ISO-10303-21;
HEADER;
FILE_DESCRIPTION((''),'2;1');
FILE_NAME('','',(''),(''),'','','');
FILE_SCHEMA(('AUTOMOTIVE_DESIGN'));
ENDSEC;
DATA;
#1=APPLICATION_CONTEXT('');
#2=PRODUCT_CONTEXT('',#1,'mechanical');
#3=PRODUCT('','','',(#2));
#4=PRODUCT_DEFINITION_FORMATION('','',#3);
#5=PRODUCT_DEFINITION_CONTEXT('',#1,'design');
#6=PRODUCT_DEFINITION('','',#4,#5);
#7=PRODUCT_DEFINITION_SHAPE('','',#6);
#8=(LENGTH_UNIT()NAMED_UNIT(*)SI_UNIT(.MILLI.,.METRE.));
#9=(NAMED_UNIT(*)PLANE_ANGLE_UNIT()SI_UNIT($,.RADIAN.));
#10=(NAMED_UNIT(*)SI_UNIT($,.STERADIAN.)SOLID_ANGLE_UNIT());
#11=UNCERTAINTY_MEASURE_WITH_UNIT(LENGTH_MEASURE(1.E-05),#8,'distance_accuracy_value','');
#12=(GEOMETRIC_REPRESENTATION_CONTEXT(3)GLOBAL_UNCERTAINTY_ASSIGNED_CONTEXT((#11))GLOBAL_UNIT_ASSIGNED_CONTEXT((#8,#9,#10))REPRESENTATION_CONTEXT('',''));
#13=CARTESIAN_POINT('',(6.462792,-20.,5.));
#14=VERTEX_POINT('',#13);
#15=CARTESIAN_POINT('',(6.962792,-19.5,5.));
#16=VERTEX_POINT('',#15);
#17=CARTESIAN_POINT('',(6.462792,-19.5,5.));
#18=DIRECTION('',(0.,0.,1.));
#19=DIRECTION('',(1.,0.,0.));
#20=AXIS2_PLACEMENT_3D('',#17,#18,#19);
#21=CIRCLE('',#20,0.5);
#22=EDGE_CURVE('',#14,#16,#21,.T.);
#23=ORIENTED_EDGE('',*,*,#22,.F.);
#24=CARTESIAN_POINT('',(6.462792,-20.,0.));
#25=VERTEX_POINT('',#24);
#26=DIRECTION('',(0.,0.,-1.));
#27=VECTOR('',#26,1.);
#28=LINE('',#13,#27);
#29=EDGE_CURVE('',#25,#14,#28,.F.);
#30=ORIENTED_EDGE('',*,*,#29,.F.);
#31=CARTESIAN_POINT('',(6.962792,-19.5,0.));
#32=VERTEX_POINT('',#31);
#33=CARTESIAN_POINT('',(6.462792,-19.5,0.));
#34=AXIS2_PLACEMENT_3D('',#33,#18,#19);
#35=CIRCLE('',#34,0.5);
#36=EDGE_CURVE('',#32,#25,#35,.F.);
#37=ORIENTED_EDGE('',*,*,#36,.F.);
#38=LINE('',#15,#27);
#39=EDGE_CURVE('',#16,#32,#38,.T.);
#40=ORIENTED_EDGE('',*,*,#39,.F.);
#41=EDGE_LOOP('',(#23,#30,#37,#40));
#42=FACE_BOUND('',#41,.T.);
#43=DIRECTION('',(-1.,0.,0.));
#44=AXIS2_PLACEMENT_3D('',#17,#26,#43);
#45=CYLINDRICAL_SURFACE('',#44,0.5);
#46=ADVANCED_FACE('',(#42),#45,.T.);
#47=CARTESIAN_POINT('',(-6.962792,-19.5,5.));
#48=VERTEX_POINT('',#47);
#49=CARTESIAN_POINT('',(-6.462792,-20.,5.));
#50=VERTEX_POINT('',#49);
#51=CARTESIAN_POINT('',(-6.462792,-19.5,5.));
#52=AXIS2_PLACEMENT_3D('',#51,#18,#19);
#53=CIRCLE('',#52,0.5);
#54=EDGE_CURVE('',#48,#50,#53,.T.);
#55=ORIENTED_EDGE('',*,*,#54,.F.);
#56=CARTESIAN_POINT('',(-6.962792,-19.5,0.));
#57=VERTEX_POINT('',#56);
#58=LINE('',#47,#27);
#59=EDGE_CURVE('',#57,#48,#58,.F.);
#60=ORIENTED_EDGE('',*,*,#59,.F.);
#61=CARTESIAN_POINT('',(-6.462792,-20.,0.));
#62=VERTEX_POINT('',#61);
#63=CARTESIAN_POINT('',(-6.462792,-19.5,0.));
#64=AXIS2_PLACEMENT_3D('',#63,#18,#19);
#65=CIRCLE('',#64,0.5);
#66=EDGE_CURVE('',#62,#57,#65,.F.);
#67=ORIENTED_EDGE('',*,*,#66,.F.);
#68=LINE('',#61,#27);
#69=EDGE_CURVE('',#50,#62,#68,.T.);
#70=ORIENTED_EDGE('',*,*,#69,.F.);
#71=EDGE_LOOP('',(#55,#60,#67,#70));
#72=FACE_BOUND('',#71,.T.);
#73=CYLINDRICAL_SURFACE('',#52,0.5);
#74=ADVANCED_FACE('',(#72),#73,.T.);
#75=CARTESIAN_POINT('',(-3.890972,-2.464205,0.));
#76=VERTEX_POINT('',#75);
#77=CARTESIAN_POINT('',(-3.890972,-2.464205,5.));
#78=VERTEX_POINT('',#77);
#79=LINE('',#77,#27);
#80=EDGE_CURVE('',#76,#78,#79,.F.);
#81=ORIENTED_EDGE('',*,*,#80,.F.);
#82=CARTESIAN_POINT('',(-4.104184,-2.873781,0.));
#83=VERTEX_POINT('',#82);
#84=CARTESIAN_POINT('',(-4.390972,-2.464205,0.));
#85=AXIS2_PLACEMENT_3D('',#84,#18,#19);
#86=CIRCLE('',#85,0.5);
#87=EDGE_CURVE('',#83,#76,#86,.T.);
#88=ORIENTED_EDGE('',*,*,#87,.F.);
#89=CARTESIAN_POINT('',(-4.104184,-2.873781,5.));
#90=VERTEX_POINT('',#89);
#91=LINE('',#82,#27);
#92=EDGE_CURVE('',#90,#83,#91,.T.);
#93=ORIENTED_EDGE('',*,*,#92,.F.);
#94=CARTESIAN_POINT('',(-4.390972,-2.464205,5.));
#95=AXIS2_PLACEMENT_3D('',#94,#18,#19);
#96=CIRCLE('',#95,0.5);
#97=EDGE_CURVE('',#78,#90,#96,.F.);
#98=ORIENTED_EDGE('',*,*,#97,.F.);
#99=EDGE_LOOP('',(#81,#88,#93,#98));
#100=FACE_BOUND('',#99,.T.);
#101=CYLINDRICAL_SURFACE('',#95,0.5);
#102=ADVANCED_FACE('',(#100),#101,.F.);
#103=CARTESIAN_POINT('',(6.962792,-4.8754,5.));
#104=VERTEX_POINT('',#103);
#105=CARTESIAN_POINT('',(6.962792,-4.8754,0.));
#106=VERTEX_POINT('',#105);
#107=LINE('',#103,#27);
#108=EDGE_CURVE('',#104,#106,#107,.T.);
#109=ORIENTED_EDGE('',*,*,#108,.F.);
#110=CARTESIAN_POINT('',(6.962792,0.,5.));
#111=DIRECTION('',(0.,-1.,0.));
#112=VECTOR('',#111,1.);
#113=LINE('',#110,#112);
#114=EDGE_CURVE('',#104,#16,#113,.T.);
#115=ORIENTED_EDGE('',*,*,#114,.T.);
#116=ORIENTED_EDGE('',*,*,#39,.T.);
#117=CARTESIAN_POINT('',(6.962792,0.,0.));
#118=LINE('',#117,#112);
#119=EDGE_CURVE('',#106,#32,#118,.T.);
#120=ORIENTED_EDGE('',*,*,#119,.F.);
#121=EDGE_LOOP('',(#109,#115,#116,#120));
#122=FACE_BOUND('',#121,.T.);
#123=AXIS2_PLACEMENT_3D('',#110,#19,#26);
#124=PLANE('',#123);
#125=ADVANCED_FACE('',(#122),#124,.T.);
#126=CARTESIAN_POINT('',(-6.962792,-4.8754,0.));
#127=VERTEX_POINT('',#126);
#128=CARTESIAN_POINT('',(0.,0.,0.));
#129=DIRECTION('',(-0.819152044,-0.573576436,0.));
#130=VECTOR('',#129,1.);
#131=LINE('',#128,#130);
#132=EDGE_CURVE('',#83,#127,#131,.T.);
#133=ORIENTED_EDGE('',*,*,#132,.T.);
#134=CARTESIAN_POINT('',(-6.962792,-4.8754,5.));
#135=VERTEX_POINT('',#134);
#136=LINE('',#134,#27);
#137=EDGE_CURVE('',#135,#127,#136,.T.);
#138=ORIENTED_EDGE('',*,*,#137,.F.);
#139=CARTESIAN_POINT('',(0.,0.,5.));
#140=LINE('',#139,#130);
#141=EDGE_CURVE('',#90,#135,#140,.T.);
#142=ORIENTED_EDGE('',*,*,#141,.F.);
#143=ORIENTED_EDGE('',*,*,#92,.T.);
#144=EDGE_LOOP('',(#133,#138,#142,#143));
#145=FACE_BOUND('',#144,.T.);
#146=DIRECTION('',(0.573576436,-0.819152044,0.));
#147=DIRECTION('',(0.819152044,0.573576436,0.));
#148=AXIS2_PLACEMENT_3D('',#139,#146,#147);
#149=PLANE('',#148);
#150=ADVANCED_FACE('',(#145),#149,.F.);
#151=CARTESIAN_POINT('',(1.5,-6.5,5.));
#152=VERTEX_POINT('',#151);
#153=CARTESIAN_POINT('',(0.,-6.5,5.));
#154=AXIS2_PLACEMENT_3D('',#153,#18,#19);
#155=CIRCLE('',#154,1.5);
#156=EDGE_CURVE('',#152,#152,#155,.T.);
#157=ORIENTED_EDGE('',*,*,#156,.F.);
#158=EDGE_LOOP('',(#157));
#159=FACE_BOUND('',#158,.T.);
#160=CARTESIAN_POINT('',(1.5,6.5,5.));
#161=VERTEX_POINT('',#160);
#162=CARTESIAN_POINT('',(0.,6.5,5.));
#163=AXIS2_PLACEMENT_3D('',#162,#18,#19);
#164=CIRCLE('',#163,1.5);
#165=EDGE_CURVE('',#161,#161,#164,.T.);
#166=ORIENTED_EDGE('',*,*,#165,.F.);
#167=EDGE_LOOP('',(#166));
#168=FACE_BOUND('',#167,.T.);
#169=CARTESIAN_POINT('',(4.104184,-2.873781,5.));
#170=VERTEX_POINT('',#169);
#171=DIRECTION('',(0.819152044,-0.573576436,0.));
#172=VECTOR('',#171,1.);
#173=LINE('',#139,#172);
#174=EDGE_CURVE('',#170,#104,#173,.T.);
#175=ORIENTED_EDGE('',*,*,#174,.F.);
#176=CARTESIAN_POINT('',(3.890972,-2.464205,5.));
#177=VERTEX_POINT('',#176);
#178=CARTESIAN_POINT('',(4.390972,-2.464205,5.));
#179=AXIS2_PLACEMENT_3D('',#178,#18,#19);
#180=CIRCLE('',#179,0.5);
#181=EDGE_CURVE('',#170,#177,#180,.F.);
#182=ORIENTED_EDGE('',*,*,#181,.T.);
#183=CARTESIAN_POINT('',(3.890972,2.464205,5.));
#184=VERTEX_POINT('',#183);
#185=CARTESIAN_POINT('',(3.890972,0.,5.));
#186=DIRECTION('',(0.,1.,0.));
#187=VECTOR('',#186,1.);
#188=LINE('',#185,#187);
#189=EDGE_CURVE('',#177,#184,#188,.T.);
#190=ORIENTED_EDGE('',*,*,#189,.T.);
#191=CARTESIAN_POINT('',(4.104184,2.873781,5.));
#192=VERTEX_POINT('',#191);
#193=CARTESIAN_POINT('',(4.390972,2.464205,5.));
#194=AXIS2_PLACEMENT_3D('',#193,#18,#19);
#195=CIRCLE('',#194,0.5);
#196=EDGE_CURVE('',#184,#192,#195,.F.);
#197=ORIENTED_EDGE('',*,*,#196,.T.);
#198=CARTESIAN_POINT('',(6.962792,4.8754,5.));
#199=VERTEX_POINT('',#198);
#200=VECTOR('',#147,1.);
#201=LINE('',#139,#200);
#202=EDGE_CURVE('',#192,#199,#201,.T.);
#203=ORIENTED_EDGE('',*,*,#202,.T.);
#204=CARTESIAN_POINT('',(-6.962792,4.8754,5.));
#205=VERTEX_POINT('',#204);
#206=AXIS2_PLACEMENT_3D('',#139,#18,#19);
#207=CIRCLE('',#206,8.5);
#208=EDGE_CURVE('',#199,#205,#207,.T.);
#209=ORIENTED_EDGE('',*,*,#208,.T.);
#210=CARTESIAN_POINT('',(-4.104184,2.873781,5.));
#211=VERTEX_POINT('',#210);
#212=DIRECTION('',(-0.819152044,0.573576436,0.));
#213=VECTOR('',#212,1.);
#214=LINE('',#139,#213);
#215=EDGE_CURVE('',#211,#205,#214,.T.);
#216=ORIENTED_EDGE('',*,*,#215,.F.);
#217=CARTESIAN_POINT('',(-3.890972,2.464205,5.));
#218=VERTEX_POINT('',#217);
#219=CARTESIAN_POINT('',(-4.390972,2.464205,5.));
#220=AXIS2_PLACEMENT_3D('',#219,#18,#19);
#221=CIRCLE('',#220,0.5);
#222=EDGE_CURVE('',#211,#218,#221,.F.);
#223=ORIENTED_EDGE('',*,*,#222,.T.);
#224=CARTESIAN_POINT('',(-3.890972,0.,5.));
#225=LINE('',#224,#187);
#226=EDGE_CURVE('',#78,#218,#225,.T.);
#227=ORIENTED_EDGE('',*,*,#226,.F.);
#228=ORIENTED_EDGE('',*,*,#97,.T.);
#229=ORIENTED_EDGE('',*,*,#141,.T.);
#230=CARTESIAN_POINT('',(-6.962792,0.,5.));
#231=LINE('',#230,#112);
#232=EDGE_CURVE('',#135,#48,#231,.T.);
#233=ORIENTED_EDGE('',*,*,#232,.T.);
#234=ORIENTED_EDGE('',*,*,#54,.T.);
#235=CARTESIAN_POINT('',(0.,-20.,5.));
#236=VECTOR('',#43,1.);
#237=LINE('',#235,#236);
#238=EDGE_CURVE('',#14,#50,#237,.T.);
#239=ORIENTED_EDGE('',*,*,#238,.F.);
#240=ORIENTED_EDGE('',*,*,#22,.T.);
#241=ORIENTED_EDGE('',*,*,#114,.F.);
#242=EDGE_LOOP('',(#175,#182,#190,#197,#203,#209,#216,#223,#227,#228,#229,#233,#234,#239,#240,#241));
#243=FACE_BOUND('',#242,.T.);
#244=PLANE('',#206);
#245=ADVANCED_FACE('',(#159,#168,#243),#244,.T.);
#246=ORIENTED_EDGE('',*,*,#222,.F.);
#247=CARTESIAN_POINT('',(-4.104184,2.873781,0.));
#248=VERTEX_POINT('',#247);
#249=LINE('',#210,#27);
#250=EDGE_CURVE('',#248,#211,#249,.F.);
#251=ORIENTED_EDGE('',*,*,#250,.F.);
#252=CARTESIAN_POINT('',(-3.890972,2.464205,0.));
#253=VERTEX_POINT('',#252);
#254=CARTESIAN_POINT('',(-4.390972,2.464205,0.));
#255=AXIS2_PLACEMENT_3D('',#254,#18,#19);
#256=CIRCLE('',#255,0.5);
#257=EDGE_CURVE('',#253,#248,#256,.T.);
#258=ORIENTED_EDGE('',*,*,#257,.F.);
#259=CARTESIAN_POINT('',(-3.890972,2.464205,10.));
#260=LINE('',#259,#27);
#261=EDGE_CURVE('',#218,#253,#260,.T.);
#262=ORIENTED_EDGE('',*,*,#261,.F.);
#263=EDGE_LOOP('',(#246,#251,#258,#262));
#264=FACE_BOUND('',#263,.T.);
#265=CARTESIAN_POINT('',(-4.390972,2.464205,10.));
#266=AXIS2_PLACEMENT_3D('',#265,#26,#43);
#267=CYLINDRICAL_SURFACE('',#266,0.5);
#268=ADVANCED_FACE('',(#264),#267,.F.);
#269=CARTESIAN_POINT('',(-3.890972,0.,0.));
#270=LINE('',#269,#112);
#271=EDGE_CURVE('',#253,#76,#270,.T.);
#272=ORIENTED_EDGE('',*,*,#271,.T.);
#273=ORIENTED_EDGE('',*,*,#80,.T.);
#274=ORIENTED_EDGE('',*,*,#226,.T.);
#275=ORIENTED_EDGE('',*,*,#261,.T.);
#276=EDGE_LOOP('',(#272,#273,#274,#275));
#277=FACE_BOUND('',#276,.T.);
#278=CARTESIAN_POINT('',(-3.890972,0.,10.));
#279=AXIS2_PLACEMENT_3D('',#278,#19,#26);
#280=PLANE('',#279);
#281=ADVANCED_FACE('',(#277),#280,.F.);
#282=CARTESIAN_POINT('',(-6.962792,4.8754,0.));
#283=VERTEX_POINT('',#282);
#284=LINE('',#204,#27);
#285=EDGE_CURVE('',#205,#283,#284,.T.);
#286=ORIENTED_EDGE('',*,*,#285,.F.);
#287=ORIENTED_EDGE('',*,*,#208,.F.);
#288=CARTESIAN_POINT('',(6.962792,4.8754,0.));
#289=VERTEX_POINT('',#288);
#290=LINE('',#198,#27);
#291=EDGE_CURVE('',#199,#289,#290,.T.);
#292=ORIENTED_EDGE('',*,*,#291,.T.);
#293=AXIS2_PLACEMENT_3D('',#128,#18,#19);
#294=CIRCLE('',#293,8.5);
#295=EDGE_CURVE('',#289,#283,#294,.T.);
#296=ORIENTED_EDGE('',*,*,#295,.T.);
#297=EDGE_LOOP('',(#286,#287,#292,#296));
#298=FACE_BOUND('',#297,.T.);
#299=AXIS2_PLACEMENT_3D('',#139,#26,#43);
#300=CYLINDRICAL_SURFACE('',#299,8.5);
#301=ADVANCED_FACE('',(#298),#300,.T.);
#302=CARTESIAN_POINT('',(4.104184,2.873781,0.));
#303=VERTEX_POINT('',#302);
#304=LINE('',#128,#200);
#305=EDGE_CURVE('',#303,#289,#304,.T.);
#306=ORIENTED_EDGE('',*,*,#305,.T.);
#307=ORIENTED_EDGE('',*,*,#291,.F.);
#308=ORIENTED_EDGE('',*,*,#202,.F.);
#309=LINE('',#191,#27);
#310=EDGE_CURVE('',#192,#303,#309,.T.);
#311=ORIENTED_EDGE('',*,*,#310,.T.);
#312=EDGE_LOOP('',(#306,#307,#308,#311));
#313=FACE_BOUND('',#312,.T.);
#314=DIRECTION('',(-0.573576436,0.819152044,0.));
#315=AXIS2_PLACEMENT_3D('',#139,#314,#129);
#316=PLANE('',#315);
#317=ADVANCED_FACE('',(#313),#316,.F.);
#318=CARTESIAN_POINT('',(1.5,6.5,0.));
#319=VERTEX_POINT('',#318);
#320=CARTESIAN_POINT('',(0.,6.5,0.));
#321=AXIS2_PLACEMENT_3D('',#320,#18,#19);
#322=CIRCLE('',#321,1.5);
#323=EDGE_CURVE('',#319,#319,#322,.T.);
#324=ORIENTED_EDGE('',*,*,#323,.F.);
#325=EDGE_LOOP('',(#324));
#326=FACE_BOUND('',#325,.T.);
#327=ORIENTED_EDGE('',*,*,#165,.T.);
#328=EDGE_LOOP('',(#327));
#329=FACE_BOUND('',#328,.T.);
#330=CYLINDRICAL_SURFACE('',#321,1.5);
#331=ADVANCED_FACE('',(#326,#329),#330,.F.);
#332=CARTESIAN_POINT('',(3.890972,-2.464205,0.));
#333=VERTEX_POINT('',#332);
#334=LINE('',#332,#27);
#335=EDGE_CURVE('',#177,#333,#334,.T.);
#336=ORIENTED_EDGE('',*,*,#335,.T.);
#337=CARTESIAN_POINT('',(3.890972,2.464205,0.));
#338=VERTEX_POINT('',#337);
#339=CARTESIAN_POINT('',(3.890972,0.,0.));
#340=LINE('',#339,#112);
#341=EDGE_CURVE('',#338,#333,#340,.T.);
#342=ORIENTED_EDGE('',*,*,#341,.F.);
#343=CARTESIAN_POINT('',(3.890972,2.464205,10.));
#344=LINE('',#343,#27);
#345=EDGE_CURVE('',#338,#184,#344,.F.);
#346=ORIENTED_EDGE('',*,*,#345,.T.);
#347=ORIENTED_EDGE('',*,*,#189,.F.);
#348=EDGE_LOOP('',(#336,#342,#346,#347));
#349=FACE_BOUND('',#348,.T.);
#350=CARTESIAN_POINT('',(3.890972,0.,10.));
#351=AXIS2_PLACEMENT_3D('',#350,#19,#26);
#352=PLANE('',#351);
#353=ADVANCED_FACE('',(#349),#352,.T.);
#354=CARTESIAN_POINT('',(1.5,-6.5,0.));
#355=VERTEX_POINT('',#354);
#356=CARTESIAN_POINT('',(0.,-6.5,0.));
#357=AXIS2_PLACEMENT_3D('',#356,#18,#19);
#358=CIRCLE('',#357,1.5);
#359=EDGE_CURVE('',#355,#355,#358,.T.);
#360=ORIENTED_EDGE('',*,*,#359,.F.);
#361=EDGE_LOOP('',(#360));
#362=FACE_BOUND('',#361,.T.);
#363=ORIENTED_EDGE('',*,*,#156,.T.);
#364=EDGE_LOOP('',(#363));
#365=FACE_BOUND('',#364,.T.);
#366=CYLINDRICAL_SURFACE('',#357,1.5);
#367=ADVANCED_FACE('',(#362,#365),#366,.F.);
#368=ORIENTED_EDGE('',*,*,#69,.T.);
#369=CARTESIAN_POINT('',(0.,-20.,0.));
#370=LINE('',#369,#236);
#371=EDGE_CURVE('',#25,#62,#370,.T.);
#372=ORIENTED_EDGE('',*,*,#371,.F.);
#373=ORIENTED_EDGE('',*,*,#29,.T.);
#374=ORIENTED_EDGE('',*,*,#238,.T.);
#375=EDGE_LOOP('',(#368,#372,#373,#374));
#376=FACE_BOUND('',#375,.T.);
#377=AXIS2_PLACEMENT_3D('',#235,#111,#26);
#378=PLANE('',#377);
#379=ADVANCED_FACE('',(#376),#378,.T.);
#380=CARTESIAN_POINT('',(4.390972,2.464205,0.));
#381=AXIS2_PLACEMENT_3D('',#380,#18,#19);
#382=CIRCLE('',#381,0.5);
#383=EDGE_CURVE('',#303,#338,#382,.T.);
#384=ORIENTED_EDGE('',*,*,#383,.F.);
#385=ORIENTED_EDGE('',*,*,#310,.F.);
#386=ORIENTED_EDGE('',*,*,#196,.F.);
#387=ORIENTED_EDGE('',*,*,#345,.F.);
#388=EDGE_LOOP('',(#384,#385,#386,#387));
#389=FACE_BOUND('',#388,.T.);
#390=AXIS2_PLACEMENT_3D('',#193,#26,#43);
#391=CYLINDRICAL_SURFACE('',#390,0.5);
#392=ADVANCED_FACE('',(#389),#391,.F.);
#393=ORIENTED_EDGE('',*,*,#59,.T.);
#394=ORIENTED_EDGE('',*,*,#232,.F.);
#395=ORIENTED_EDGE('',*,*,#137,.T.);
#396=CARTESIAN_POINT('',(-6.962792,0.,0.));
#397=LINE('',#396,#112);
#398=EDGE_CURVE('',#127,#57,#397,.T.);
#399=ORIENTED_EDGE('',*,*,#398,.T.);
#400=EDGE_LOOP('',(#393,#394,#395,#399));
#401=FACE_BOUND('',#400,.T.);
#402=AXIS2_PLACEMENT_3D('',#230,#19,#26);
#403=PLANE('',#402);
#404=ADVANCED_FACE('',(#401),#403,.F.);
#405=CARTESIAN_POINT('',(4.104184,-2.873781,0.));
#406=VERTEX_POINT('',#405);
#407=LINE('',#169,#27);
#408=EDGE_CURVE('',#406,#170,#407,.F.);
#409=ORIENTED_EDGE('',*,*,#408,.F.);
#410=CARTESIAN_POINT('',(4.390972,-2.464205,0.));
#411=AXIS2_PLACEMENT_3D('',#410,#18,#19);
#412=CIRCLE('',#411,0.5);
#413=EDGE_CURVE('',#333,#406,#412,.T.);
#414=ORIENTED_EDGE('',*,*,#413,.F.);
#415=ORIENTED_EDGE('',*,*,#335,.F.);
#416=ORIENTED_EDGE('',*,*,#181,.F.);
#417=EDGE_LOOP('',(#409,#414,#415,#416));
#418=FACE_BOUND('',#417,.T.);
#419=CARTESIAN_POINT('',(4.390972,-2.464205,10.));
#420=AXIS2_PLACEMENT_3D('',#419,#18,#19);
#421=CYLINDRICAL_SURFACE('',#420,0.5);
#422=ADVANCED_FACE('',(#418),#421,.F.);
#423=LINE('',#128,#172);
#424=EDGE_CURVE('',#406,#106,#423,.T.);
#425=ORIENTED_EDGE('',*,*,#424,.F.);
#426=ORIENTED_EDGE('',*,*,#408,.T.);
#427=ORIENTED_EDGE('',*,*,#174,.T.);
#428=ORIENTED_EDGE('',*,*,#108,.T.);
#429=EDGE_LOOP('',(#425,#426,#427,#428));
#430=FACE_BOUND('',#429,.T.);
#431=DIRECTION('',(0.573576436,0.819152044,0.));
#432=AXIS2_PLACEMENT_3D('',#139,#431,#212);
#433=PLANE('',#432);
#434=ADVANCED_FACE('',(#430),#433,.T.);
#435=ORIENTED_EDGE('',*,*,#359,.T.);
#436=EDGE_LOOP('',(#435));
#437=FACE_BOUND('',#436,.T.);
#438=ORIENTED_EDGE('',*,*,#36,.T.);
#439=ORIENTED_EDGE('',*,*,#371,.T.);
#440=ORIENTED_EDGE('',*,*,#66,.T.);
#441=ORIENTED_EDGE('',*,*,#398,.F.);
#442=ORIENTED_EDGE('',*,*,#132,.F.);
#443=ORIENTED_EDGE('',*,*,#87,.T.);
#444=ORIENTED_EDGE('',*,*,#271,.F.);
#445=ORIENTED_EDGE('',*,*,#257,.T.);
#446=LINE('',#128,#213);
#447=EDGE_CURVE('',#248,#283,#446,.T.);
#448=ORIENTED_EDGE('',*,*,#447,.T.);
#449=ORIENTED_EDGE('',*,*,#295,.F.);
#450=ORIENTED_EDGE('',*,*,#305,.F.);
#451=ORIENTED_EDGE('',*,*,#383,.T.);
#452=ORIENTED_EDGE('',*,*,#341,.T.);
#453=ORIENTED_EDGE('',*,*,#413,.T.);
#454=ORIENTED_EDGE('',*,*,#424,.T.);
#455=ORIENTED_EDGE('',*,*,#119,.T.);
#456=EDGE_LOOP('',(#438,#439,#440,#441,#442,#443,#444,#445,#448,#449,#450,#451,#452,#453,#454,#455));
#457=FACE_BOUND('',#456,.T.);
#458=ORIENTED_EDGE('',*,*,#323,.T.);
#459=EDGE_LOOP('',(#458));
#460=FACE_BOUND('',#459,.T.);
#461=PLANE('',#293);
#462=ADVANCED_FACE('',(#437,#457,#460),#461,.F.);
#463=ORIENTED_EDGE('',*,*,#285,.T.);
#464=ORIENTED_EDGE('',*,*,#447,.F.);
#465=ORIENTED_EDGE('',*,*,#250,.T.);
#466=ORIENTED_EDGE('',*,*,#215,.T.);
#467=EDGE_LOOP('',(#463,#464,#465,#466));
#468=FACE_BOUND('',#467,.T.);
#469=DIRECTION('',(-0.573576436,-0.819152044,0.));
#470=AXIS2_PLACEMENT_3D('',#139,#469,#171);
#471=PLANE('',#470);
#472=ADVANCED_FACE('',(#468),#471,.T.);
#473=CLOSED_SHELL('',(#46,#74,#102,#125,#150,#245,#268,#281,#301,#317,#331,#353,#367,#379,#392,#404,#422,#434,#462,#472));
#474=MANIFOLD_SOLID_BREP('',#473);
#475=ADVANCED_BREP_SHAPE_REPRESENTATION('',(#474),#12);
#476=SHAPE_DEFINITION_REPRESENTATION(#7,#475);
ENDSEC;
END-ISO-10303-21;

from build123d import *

# Parameters (mm, degrees)
SKETCH_1_R          = 8.5
EXTRUDE_1_DEPTH     = 5
SKETCH_2_R          = 1.5
CUT_EXTRUDE_1_DEPTH = 5
CUT_EXTRUDE_2_DEPTH = 6
EXTRUDE_2_DEPTH     = 5
FILLET_2_R          = 0.5
CUT_EXTRUDE_3_DEPTH = 10
FILLET_3_R          = 0.5


with BuildPart() as part:
    # 草图1 → 凸台-拉伸1 (new body)
    with BuildSketch(Plane.XY):
        Circle(SKETCH_1_R)
    extrude(amount=EXTRUDE_1_DEPTH)

    # 草图2 → 切除-拉伸1 (cut)
    with BuildSketch(Plane.XY.offset(5)):
        with Locations((0, 6.5)):
            Circle(SKETCH_2_R)
        with Locations((0, -6.5)):
            Circle(SKETCH_2_R)
    extrude(amount=-CUT_EXTRUDE_1_DEPTH, mode=Mode.SUBTRACT)

    # 草图3 → 切除-拉伸2 (cut, through all)
    with BuildSketch(Plane(origin=(0, 0, 0), x_dir=(-1, 0, 0), z_dir=(0, 0, -1))):
        with BuildLine():
            Line((6.962792376, 4.875399709), (3.89097221, 2.724488073))
            ThreePointArc((3.89097221, 2.724488073), (4.530155516, 1.428352548), (4.75, 0))
            ThreePointArc((4.75, 0), (4.530155516, -1.428352548), (3.89097221, -2.724488073))
            Line((3.89097221, -2.724488073), (6.962792376, -4.875399709))
            ThreePointArc((6.962792376, -4.875399709), (8.106594081, -2.555999296), (8.5, 0))
            ThreePointArc((8.5, 0), (8.106594081, 2.555999296), (6.962792376, 4.875399709))
        make_face()
    cut_extrude_2 = extrude(amount=-CUT_EXTRUDE_2_DEPTH, mode=Mode.SUBTRACT)

    # 镜向1: 切除-拉伸2 across plane
    add(cut_extrude_2.mirror(Plane(origin=(0, 0, 0), x_dir=(0, 0, 1), z_dir=(1, 0, 0))), mode=Mode.SUBTRACT)


with BuildPart() as body_2:
    # 草图4 → 凸台-拉伸2 (new body)
    with BuildSketch(Plane(origin=(0, 0, 0), x_dir=(-1, 0, 0), z_dir=(0, 0, -1))):
        with BuildLine():
            ThreePointArc((6.962792376, -4.875399709), (0, -8.5), (-6.962792376, -4.875399709))
            Line((-6.962792376, -4.875399709), (-6.962792376, -20))
            Line((-6.962792376, -20), (6.962792376, -20))
            Line((6.962792376, -20), (6.962792376, -4.875399709))
        make_face()
    extrude(amount=-EXTRUDE_2_DEPTH)


with BuildPart() as part_1:
    add(part.part)

    # Combine 1: union body 2
    add(body_2.part)

    # 圆角2
    fillet_2_edges = [part_1.edges().sort_by_distance(p)[0] for p in [
        (-6.962792376, -20, 2.5),
        (6.962792376, -20, 2.5),
    ]]
    fillet(fillet_2_edges, radius=FILLET_2_R)

    # 草图6 → 切除-拉伸3 (cut)
    with BuildSketch(Plane(origin=(0, 0, 0), x_dir=(-1, 0, 0), z_dir=(0, 0, -1))):
        with BuildLine():
            Line((3.89097221, 2.724488073), (3.89097221, -2.724488073))
            ThreePointArc((3.89097221, -2.724488073), (4.75, 0), (3.89097221, 2.724488073))
        make_face()
        with BuildLine():
            Line((-3.89097221, 2.724488073), (-3.89097221, -2.724488073))
            ThreePointArc((-3.89097221, -2.724488073), (-4.75, 0), (-3.89097221, 2.724488073))
        make_face()
    extrude(amount=-CUT_EXTRUDE_3_DEPTH, mode=Mode.SUBTRACT)

    # 圆角3
    fillet_3_edges = [part_1.edges().sort_by_distance(p)[0] for p in [
        (-3.89097221, -2.724488073, 2.5),
        (-3.89097221, 2.724488073, 2.5),
        (3.89097221, 2.724488073, 2.5),
        (3.89097221, -2.724488073, 2.5),
    ]]
    fillet(fillet_3_edges, radius=FILLET_3_R)


solid = part_1.part
